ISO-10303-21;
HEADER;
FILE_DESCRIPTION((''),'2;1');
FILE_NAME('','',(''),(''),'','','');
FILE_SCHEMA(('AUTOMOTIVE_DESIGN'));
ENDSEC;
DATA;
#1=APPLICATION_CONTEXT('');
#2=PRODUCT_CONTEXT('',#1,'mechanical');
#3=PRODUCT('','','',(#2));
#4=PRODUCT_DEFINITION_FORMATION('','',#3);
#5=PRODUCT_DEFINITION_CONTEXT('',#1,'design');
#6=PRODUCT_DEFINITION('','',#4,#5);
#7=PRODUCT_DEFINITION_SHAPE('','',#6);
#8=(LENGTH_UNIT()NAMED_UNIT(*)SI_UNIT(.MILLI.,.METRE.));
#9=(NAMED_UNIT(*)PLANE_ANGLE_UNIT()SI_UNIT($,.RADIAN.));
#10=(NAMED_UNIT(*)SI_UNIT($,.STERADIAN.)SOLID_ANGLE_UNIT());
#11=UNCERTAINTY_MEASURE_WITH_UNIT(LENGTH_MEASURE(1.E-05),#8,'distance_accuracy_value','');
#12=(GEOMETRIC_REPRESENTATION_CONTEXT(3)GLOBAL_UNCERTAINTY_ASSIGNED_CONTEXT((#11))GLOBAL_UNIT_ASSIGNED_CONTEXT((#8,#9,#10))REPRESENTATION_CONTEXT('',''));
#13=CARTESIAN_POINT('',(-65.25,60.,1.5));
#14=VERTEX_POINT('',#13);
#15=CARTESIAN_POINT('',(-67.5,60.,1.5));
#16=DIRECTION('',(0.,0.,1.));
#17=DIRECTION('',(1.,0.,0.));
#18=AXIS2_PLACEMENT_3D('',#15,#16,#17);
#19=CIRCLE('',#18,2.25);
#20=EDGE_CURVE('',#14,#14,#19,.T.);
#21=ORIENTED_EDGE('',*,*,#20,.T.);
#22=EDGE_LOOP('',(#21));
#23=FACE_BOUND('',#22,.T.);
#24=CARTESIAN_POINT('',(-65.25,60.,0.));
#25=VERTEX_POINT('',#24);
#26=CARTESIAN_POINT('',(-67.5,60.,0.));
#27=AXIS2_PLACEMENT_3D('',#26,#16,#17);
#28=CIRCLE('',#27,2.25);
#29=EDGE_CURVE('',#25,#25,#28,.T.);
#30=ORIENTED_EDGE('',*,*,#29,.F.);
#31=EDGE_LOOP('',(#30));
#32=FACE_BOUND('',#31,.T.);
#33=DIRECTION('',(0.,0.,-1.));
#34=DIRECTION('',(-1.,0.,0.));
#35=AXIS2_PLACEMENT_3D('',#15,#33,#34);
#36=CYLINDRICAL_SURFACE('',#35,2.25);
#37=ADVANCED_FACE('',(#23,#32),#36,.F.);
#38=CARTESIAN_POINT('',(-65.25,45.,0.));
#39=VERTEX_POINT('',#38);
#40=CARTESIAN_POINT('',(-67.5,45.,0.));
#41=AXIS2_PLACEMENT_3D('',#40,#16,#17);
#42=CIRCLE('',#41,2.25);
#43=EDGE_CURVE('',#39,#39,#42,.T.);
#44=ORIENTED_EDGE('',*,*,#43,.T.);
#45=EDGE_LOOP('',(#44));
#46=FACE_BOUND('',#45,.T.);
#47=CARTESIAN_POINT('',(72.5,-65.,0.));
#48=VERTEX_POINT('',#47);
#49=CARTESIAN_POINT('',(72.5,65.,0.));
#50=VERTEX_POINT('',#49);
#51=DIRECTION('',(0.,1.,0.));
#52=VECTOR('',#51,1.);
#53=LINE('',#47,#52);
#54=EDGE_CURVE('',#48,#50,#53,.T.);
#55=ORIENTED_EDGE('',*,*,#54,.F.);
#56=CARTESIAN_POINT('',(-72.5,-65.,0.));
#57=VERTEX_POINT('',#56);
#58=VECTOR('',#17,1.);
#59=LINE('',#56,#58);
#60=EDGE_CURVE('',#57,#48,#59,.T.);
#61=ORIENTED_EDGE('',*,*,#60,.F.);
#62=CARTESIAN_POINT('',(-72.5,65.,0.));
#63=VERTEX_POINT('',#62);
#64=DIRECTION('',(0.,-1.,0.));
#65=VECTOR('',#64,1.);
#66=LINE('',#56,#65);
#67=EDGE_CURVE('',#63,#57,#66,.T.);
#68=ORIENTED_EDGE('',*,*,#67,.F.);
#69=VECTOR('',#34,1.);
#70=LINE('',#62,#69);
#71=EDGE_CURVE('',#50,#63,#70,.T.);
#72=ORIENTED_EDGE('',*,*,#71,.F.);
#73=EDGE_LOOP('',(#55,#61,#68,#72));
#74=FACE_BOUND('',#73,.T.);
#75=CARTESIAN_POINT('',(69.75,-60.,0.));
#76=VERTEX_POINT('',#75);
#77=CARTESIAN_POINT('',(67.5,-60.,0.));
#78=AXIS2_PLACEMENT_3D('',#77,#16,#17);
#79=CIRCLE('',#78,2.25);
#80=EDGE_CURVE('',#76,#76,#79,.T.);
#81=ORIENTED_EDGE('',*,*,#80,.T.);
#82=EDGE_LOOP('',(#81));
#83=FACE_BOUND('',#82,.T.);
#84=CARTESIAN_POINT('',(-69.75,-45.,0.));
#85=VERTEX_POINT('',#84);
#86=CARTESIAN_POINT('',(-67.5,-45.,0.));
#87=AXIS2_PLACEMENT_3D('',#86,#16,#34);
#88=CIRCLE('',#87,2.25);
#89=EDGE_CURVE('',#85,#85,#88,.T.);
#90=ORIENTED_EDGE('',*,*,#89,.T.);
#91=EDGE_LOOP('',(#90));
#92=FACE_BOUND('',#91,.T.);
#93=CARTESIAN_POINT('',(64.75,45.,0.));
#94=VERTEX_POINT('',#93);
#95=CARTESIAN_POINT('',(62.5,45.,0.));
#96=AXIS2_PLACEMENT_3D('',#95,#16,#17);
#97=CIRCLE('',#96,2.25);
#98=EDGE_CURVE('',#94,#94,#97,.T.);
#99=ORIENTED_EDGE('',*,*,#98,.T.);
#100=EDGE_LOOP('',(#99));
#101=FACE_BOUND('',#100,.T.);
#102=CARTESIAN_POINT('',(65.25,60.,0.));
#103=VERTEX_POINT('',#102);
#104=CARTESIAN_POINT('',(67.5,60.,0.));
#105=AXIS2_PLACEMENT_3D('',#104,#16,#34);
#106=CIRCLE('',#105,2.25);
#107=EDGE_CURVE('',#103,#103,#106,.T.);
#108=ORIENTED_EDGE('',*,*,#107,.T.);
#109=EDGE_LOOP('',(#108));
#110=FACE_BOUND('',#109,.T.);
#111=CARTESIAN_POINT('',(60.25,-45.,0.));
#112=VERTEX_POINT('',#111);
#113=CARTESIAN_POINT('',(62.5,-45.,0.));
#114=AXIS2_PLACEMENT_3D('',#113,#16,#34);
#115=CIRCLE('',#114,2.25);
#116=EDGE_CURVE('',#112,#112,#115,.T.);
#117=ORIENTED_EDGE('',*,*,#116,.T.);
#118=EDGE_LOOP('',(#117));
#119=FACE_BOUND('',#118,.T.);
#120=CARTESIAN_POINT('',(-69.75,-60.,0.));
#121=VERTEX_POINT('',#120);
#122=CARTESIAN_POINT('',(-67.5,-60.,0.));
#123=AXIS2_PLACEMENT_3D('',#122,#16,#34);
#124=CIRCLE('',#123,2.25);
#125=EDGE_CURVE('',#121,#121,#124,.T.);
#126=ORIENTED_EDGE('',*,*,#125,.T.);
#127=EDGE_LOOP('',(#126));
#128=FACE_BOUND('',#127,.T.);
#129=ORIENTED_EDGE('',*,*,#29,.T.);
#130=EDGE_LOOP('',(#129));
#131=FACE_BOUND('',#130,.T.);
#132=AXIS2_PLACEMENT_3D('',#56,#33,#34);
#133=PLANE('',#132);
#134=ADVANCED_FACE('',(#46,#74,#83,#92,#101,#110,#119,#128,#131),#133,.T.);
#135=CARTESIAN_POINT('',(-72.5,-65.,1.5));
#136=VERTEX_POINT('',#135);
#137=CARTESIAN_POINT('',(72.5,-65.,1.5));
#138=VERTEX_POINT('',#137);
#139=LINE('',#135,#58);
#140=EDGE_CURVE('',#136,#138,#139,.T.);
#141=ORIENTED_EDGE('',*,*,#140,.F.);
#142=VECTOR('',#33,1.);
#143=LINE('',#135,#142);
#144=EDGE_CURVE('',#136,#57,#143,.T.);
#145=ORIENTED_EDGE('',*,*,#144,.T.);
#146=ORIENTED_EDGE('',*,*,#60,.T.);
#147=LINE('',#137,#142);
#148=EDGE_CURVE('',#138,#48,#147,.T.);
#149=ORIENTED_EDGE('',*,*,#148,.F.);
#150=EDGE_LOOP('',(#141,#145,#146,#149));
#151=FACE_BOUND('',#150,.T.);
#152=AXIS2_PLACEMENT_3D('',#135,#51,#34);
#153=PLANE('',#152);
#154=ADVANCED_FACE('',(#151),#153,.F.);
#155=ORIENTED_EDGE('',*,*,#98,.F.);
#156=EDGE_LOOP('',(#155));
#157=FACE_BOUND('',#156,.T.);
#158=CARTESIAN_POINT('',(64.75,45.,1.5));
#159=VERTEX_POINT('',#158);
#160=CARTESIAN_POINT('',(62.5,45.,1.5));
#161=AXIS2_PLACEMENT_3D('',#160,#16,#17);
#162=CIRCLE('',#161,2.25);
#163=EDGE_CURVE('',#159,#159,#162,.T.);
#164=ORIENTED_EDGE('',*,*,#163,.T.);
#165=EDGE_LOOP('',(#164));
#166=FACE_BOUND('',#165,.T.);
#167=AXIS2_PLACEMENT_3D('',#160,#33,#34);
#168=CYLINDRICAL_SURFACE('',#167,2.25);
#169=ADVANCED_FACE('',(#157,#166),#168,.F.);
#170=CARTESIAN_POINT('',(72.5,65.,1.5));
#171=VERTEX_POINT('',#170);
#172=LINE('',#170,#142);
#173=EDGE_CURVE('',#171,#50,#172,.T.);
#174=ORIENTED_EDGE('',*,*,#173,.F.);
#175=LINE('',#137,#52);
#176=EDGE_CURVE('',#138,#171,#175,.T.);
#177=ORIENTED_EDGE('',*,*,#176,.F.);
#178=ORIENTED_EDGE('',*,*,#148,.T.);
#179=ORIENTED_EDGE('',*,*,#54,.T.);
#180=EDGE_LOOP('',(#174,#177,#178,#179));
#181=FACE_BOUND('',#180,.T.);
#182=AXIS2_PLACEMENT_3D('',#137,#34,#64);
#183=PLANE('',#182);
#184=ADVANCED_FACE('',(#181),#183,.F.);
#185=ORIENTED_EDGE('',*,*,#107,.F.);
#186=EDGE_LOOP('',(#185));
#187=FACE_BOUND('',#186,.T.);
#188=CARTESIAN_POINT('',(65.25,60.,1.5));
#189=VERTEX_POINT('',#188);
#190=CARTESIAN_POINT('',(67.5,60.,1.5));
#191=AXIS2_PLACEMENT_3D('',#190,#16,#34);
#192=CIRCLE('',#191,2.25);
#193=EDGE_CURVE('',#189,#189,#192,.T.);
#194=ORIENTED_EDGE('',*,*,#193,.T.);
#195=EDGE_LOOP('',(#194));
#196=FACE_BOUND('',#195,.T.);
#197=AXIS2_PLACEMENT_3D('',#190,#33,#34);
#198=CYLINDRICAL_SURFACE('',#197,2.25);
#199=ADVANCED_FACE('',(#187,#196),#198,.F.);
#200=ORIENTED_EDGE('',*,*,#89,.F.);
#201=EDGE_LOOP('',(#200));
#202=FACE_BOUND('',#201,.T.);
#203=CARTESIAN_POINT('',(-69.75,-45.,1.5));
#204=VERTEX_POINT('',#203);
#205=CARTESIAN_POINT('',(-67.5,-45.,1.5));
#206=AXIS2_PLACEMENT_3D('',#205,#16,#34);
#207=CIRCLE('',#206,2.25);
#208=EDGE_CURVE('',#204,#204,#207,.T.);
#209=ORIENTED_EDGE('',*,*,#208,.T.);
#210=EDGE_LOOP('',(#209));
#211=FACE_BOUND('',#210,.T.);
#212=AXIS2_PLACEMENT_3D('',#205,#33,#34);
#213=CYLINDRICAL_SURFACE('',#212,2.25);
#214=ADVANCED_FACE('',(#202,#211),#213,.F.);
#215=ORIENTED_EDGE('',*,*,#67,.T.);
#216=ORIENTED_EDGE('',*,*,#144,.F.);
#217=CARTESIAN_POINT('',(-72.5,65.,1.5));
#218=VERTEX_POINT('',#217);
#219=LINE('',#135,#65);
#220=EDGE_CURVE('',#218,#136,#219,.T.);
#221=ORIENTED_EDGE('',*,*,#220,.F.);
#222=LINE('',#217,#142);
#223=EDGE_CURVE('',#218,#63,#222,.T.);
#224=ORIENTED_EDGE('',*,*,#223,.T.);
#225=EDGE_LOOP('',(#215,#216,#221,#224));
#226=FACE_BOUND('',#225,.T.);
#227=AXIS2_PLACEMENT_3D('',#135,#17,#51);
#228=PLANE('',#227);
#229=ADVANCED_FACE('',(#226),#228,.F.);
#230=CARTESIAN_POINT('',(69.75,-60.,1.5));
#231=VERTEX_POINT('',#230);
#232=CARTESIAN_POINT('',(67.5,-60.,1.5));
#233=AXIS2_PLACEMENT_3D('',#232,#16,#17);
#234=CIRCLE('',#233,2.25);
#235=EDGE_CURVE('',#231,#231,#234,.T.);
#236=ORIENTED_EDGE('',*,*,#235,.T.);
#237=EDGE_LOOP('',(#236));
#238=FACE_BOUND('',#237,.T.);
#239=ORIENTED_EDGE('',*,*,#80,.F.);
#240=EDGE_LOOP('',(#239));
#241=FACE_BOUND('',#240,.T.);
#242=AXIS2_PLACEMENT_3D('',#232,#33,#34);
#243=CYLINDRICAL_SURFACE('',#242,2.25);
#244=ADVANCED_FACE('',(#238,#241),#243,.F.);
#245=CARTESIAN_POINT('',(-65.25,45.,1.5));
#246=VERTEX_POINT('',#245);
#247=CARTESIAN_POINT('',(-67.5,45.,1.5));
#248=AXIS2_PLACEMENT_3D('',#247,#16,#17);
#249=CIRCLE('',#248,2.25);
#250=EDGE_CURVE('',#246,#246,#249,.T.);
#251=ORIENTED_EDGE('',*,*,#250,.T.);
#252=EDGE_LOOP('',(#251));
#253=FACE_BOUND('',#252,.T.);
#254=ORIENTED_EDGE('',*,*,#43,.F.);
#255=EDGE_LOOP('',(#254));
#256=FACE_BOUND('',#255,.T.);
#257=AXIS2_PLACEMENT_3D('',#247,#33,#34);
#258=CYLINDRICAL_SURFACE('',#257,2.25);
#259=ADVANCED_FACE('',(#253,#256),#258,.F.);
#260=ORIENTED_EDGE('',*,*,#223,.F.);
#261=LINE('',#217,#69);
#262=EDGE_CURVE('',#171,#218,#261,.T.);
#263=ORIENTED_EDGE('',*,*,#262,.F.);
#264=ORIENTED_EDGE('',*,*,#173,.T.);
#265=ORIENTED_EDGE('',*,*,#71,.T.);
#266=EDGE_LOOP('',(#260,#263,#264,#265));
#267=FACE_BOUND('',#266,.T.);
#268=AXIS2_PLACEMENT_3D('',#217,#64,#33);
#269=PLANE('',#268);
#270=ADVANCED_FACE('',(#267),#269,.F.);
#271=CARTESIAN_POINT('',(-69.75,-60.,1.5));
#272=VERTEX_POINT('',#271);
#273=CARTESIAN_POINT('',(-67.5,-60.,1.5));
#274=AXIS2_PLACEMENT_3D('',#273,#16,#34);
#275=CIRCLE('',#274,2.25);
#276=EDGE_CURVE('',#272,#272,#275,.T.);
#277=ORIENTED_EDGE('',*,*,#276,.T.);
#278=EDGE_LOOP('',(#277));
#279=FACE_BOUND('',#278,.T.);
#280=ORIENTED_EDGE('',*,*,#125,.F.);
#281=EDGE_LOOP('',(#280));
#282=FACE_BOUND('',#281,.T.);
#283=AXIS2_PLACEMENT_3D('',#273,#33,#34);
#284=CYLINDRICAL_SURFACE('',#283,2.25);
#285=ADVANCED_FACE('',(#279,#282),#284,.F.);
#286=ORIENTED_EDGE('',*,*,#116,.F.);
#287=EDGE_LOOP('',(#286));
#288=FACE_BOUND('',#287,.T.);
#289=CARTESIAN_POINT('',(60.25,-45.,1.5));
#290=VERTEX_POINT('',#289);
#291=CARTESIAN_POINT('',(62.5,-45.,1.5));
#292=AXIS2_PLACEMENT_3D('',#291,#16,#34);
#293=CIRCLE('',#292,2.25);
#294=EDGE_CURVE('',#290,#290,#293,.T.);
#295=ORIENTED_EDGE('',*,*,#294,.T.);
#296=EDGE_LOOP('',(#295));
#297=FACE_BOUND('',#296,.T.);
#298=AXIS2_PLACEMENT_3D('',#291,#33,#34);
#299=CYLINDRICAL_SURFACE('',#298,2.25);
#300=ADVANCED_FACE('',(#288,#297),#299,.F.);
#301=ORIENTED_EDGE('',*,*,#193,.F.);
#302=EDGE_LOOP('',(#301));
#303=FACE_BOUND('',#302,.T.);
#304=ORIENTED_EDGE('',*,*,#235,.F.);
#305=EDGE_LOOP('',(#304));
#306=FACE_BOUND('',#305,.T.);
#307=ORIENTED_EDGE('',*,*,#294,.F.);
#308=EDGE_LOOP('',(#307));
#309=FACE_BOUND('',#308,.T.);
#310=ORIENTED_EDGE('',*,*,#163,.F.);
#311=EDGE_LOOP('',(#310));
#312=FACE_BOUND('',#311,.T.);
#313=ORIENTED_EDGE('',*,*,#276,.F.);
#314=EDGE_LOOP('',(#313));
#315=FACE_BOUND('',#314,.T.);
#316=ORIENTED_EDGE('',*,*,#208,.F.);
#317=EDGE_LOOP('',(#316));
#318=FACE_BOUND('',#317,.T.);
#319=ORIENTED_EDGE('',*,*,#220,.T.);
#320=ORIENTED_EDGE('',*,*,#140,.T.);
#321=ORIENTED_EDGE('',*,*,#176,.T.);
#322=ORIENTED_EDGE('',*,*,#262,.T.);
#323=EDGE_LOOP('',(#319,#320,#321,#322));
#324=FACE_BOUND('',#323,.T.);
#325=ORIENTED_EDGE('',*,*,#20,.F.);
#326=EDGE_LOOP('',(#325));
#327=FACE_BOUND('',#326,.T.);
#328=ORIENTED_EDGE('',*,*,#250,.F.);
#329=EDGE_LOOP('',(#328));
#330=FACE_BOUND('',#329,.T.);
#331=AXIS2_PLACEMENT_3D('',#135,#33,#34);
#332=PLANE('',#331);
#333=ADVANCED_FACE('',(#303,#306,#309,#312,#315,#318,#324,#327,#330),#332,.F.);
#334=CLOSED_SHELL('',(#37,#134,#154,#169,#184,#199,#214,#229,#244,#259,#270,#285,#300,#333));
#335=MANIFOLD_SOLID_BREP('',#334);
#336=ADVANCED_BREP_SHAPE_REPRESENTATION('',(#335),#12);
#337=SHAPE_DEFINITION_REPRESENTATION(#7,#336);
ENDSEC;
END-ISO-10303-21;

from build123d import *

# Parameters (mm, degrees)
SKETCH_1_W      = 145
SKETCH_1_H      = 130
SKETCH_1_R      = 2.25
EXTRUDE_1_DEPTH = 1.5


with BuildPart() as part:
    # Эскиз1 → Вытянуть1 (new body)
    with BuildSketch(Plane.XY):
        Rectangle(SKETCH_1_W, SKETCH_1_H)
        with Locations((-67.5, 60)):
            Circle(SKETCH_1_R, mode=Mode.SUBTRACT)
        with Locations(Location((-67.5, -60, 0), (0, 0, 180))):
            Circle(SKETCH_1_R, mode=Mode.SUBTRACT)
        with Locations((67.5, -60)):
            Circle(SKETCH_1_R, mode=Mode.SUBTRACT)
        with Locations(Location((67.5, 60, 0), (0, 0, 180))):
            Circle(SKETCH_1_R, mode=Mode.SUBTRACT)
        with Locations((-67.5, 45)):
            Circle(SKETCH_1_R, mode=Mode.SUBTRACT)
        with Locations(Location((-67.5, -45, 0), (0, 0, 180))):
            Circle(SKETCH_1_R, mode=Mode.SUBTRACT)
        with Locations((62.5, 45)):
            Circle(SKETCH_1_R, mode=Mode.SUBTRACT)
        with Locations(Location((62.5, -45, 0), (0, 0, 180))):
            Circle(SKETCH_1_R, mode=Mode.SUBTRACT)
    extrude(amount=EXTRUDE_1_DEPTH)


solid = part.part
